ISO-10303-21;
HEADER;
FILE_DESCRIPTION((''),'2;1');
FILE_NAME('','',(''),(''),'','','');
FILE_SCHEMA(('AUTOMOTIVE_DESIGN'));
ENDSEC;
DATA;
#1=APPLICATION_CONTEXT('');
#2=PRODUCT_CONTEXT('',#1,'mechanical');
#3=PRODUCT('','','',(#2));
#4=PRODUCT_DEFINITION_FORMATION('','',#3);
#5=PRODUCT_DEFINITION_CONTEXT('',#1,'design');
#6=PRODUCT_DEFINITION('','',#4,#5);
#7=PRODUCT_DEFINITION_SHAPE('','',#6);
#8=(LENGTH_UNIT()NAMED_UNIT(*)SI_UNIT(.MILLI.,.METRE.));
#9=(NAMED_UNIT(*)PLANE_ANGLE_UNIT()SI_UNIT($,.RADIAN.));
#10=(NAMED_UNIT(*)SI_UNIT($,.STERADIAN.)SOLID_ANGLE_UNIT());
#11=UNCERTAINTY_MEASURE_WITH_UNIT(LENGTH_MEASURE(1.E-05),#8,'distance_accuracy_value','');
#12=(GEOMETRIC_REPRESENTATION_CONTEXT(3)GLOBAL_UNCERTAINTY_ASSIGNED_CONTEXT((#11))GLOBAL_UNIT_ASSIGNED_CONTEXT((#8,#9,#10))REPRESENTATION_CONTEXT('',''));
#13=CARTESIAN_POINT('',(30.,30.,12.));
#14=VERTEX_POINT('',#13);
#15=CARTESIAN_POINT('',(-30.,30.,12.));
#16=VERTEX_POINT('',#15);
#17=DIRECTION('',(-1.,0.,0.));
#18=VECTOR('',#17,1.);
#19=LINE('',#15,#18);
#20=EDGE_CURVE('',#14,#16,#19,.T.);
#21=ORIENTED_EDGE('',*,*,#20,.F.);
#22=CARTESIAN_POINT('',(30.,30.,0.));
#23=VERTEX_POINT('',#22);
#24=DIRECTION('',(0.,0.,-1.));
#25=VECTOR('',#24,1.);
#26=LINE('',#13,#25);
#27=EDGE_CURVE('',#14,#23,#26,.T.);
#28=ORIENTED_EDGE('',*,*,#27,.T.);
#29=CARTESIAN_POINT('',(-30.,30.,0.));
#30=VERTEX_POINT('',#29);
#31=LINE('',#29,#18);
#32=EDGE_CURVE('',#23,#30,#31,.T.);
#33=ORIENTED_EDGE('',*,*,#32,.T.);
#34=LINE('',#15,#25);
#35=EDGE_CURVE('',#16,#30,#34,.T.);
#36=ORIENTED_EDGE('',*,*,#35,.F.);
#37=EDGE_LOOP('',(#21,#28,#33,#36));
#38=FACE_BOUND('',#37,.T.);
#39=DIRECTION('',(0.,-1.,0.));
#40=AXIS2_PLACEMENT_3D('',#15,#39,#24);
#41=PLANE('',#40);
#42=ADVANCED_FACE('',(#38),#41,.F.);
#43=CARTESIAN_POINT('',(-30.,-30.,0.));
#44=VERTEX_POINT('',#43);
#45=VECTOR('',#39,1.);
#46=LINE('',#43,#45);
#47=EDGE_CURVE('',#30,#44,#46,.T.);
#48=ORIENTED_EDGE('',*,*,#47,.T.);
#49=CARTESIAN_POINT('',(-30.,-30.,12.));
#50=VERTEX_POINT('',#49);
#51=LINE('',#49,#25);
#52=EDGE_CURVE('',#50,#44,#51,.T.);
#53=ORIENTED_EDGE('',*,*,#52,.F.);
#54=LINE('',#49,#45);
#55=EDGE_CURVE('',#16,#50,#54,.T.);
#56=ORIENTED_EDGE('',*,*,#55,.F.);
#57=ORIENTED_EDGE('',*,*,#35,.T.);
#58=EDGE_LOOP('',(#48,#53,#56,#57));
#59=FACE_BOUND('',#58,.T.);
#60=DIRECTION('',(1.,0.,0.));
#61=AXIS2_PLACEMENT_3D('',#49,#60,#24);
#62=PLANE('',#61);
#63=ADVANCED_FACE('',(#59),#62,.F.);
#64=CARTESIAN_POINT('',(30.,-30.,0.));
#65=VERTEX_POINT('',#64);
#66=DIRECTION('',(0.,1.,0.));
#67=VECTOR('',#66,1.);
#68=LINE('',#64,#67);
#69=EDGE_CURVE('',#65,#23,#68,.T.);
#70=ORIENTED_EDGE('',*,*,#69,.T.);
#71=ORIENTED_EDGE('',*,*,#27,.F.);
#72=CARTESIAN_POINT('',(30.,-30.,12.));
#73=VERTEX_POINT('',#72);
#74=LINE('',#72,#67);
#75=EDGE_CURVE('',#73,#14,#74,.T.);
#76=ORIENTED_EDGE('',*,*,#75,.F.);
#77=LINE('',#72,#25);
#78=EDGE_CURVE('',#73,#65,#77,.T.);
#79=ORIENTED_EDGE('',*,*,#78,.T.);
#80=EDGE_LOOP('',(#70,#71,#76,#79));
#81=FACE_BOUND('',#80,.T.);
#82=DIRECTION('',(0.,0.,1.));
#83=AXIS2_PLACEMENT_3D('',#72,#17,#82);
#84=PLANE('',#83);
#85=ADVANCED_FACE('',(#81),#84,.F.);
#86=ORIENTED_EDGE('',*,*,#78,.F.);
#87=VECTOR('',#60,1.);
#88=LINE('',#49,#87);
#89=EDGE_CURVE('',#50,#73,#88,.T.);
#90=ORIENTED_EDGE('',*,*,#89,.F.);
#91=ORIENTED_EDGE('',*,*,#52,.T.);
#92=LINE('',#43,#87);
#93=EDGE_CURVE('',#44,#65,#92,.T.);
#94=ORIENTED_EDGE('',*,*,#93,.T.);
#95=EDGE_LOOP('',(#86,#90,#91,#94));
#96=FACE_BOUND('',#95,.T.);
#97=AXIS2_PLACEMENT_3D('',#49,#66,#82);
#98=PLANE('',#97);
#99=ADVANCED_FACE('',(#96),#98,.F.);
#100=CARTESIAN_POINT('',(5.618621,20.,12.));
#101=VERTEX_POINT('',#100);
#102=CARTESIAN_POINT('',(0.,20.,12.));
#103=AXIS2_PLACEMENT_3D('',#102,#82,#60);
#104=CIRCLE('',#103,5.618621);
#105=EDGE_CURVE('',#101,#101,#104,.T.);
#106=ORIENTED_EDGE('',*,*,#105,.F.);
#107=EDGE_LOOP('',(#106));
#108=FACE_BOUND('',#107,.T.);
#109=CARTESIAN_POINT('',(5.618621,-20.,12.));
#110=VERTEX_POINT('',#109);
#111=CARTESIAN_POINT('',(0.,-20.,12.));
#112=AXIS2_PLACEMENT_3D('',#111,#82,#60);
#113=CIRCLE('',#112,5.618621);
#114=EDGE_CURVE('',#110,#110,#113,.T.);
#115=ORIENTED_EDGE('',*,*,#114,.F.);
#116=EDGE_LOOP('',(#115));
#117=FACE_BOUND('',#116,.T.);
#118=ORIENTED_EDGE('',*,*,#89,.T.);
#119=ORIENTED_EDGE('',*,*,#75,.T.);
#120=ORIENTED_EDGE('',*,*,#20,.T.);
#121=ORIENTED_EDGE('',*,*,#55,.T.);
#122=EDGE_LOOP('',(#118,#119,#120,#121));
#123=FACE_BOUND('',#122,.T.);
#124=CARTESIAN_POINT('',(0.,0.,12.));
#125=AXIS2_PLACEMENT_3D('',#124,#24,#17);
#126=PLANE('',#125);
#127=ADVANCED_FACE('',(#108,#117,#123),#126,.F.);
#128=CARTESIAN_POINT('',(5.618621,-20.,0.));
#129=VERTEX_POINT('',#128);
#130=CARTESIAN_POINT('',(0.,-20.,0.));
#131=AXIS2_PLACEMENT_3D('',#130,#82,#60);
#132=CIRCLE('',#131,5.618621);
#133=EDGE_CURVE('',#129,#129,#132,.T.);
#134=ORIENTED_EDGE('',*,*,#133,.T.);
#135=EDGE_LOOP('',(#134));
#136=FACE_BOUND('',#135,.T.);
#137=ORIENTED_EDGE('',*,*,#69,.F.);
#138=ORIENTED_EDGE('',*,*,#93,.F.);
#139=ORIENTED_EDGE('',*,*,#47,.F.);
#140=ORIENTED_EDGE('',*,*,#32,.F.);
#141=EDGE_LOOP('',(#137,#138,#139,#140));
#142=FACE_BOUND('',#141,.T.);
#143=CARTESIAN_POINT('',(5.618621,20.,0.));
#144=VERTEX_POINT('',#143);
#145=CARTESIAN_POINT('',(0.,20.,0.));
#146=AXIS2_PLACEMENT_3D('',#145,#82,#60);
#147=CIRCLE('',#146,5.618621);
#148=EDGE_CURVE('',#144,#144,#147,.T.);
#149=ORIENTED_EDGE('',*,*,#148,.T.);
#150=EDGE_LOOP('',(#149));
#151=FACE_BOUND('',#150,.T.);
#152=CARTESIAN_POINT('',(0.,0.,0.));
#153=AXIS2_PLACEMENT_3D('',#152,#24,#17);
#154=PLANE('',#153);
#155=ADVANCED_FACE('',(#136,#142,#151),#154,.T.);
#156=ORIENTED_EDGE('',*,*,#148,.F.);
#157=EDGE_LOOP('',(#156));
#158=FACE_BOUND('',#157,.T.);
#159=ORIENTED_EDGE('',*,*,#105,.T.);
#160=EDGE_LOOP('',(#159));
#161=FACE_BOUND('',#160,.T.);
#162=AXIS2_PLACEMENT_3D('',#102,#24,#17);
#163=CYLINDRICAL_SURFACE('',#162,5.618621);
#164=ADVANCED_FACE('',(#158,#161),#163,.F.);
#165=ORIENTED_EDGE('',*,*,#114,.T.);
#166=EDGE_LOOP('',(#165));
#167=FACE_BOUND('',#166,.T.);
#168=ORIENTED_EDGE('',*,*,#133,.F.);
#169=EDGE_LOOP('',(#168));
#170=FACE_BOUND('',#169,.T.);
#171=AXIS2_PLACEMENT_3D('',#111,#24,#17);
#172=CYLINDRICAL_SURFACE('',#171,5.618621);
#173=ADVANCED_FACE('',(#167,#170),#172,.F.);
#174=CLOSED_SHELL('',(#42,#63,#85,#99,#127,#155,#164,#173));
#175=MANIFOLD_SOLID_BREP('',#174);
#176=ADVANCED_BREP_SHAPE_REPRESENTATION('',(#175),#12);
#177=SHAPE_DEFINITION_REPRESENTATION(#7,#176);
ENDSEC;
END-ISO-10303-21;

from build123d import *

# Parameters (mm, degrees)
ESQUISSE1_W        = 60
ESQUISSE1_H        = 60
ESQUISSE1_R        = 5.61862085
BOSS_EXTRU_2_DEPTH = 12


with BuildPart() as part:
    # Esquisse1 → Boss.-Extru.2 (new body)
    with BuildSketch(Plane.XY):
        Rectangle(ESQUISSE1_W, ESQUISSE1_H)
        with Locations((0, 20)):
            Circle(ESQUISSE1_R, mode=Mode.SUBTRACT)
        with Locations((0, -20)):
            Circle(ESQUISSE1_R, mode=Mode.SUBTRACT)
    extrude(amount=BOSS_EXTRU_2_DEPTH)


solid = part.part
